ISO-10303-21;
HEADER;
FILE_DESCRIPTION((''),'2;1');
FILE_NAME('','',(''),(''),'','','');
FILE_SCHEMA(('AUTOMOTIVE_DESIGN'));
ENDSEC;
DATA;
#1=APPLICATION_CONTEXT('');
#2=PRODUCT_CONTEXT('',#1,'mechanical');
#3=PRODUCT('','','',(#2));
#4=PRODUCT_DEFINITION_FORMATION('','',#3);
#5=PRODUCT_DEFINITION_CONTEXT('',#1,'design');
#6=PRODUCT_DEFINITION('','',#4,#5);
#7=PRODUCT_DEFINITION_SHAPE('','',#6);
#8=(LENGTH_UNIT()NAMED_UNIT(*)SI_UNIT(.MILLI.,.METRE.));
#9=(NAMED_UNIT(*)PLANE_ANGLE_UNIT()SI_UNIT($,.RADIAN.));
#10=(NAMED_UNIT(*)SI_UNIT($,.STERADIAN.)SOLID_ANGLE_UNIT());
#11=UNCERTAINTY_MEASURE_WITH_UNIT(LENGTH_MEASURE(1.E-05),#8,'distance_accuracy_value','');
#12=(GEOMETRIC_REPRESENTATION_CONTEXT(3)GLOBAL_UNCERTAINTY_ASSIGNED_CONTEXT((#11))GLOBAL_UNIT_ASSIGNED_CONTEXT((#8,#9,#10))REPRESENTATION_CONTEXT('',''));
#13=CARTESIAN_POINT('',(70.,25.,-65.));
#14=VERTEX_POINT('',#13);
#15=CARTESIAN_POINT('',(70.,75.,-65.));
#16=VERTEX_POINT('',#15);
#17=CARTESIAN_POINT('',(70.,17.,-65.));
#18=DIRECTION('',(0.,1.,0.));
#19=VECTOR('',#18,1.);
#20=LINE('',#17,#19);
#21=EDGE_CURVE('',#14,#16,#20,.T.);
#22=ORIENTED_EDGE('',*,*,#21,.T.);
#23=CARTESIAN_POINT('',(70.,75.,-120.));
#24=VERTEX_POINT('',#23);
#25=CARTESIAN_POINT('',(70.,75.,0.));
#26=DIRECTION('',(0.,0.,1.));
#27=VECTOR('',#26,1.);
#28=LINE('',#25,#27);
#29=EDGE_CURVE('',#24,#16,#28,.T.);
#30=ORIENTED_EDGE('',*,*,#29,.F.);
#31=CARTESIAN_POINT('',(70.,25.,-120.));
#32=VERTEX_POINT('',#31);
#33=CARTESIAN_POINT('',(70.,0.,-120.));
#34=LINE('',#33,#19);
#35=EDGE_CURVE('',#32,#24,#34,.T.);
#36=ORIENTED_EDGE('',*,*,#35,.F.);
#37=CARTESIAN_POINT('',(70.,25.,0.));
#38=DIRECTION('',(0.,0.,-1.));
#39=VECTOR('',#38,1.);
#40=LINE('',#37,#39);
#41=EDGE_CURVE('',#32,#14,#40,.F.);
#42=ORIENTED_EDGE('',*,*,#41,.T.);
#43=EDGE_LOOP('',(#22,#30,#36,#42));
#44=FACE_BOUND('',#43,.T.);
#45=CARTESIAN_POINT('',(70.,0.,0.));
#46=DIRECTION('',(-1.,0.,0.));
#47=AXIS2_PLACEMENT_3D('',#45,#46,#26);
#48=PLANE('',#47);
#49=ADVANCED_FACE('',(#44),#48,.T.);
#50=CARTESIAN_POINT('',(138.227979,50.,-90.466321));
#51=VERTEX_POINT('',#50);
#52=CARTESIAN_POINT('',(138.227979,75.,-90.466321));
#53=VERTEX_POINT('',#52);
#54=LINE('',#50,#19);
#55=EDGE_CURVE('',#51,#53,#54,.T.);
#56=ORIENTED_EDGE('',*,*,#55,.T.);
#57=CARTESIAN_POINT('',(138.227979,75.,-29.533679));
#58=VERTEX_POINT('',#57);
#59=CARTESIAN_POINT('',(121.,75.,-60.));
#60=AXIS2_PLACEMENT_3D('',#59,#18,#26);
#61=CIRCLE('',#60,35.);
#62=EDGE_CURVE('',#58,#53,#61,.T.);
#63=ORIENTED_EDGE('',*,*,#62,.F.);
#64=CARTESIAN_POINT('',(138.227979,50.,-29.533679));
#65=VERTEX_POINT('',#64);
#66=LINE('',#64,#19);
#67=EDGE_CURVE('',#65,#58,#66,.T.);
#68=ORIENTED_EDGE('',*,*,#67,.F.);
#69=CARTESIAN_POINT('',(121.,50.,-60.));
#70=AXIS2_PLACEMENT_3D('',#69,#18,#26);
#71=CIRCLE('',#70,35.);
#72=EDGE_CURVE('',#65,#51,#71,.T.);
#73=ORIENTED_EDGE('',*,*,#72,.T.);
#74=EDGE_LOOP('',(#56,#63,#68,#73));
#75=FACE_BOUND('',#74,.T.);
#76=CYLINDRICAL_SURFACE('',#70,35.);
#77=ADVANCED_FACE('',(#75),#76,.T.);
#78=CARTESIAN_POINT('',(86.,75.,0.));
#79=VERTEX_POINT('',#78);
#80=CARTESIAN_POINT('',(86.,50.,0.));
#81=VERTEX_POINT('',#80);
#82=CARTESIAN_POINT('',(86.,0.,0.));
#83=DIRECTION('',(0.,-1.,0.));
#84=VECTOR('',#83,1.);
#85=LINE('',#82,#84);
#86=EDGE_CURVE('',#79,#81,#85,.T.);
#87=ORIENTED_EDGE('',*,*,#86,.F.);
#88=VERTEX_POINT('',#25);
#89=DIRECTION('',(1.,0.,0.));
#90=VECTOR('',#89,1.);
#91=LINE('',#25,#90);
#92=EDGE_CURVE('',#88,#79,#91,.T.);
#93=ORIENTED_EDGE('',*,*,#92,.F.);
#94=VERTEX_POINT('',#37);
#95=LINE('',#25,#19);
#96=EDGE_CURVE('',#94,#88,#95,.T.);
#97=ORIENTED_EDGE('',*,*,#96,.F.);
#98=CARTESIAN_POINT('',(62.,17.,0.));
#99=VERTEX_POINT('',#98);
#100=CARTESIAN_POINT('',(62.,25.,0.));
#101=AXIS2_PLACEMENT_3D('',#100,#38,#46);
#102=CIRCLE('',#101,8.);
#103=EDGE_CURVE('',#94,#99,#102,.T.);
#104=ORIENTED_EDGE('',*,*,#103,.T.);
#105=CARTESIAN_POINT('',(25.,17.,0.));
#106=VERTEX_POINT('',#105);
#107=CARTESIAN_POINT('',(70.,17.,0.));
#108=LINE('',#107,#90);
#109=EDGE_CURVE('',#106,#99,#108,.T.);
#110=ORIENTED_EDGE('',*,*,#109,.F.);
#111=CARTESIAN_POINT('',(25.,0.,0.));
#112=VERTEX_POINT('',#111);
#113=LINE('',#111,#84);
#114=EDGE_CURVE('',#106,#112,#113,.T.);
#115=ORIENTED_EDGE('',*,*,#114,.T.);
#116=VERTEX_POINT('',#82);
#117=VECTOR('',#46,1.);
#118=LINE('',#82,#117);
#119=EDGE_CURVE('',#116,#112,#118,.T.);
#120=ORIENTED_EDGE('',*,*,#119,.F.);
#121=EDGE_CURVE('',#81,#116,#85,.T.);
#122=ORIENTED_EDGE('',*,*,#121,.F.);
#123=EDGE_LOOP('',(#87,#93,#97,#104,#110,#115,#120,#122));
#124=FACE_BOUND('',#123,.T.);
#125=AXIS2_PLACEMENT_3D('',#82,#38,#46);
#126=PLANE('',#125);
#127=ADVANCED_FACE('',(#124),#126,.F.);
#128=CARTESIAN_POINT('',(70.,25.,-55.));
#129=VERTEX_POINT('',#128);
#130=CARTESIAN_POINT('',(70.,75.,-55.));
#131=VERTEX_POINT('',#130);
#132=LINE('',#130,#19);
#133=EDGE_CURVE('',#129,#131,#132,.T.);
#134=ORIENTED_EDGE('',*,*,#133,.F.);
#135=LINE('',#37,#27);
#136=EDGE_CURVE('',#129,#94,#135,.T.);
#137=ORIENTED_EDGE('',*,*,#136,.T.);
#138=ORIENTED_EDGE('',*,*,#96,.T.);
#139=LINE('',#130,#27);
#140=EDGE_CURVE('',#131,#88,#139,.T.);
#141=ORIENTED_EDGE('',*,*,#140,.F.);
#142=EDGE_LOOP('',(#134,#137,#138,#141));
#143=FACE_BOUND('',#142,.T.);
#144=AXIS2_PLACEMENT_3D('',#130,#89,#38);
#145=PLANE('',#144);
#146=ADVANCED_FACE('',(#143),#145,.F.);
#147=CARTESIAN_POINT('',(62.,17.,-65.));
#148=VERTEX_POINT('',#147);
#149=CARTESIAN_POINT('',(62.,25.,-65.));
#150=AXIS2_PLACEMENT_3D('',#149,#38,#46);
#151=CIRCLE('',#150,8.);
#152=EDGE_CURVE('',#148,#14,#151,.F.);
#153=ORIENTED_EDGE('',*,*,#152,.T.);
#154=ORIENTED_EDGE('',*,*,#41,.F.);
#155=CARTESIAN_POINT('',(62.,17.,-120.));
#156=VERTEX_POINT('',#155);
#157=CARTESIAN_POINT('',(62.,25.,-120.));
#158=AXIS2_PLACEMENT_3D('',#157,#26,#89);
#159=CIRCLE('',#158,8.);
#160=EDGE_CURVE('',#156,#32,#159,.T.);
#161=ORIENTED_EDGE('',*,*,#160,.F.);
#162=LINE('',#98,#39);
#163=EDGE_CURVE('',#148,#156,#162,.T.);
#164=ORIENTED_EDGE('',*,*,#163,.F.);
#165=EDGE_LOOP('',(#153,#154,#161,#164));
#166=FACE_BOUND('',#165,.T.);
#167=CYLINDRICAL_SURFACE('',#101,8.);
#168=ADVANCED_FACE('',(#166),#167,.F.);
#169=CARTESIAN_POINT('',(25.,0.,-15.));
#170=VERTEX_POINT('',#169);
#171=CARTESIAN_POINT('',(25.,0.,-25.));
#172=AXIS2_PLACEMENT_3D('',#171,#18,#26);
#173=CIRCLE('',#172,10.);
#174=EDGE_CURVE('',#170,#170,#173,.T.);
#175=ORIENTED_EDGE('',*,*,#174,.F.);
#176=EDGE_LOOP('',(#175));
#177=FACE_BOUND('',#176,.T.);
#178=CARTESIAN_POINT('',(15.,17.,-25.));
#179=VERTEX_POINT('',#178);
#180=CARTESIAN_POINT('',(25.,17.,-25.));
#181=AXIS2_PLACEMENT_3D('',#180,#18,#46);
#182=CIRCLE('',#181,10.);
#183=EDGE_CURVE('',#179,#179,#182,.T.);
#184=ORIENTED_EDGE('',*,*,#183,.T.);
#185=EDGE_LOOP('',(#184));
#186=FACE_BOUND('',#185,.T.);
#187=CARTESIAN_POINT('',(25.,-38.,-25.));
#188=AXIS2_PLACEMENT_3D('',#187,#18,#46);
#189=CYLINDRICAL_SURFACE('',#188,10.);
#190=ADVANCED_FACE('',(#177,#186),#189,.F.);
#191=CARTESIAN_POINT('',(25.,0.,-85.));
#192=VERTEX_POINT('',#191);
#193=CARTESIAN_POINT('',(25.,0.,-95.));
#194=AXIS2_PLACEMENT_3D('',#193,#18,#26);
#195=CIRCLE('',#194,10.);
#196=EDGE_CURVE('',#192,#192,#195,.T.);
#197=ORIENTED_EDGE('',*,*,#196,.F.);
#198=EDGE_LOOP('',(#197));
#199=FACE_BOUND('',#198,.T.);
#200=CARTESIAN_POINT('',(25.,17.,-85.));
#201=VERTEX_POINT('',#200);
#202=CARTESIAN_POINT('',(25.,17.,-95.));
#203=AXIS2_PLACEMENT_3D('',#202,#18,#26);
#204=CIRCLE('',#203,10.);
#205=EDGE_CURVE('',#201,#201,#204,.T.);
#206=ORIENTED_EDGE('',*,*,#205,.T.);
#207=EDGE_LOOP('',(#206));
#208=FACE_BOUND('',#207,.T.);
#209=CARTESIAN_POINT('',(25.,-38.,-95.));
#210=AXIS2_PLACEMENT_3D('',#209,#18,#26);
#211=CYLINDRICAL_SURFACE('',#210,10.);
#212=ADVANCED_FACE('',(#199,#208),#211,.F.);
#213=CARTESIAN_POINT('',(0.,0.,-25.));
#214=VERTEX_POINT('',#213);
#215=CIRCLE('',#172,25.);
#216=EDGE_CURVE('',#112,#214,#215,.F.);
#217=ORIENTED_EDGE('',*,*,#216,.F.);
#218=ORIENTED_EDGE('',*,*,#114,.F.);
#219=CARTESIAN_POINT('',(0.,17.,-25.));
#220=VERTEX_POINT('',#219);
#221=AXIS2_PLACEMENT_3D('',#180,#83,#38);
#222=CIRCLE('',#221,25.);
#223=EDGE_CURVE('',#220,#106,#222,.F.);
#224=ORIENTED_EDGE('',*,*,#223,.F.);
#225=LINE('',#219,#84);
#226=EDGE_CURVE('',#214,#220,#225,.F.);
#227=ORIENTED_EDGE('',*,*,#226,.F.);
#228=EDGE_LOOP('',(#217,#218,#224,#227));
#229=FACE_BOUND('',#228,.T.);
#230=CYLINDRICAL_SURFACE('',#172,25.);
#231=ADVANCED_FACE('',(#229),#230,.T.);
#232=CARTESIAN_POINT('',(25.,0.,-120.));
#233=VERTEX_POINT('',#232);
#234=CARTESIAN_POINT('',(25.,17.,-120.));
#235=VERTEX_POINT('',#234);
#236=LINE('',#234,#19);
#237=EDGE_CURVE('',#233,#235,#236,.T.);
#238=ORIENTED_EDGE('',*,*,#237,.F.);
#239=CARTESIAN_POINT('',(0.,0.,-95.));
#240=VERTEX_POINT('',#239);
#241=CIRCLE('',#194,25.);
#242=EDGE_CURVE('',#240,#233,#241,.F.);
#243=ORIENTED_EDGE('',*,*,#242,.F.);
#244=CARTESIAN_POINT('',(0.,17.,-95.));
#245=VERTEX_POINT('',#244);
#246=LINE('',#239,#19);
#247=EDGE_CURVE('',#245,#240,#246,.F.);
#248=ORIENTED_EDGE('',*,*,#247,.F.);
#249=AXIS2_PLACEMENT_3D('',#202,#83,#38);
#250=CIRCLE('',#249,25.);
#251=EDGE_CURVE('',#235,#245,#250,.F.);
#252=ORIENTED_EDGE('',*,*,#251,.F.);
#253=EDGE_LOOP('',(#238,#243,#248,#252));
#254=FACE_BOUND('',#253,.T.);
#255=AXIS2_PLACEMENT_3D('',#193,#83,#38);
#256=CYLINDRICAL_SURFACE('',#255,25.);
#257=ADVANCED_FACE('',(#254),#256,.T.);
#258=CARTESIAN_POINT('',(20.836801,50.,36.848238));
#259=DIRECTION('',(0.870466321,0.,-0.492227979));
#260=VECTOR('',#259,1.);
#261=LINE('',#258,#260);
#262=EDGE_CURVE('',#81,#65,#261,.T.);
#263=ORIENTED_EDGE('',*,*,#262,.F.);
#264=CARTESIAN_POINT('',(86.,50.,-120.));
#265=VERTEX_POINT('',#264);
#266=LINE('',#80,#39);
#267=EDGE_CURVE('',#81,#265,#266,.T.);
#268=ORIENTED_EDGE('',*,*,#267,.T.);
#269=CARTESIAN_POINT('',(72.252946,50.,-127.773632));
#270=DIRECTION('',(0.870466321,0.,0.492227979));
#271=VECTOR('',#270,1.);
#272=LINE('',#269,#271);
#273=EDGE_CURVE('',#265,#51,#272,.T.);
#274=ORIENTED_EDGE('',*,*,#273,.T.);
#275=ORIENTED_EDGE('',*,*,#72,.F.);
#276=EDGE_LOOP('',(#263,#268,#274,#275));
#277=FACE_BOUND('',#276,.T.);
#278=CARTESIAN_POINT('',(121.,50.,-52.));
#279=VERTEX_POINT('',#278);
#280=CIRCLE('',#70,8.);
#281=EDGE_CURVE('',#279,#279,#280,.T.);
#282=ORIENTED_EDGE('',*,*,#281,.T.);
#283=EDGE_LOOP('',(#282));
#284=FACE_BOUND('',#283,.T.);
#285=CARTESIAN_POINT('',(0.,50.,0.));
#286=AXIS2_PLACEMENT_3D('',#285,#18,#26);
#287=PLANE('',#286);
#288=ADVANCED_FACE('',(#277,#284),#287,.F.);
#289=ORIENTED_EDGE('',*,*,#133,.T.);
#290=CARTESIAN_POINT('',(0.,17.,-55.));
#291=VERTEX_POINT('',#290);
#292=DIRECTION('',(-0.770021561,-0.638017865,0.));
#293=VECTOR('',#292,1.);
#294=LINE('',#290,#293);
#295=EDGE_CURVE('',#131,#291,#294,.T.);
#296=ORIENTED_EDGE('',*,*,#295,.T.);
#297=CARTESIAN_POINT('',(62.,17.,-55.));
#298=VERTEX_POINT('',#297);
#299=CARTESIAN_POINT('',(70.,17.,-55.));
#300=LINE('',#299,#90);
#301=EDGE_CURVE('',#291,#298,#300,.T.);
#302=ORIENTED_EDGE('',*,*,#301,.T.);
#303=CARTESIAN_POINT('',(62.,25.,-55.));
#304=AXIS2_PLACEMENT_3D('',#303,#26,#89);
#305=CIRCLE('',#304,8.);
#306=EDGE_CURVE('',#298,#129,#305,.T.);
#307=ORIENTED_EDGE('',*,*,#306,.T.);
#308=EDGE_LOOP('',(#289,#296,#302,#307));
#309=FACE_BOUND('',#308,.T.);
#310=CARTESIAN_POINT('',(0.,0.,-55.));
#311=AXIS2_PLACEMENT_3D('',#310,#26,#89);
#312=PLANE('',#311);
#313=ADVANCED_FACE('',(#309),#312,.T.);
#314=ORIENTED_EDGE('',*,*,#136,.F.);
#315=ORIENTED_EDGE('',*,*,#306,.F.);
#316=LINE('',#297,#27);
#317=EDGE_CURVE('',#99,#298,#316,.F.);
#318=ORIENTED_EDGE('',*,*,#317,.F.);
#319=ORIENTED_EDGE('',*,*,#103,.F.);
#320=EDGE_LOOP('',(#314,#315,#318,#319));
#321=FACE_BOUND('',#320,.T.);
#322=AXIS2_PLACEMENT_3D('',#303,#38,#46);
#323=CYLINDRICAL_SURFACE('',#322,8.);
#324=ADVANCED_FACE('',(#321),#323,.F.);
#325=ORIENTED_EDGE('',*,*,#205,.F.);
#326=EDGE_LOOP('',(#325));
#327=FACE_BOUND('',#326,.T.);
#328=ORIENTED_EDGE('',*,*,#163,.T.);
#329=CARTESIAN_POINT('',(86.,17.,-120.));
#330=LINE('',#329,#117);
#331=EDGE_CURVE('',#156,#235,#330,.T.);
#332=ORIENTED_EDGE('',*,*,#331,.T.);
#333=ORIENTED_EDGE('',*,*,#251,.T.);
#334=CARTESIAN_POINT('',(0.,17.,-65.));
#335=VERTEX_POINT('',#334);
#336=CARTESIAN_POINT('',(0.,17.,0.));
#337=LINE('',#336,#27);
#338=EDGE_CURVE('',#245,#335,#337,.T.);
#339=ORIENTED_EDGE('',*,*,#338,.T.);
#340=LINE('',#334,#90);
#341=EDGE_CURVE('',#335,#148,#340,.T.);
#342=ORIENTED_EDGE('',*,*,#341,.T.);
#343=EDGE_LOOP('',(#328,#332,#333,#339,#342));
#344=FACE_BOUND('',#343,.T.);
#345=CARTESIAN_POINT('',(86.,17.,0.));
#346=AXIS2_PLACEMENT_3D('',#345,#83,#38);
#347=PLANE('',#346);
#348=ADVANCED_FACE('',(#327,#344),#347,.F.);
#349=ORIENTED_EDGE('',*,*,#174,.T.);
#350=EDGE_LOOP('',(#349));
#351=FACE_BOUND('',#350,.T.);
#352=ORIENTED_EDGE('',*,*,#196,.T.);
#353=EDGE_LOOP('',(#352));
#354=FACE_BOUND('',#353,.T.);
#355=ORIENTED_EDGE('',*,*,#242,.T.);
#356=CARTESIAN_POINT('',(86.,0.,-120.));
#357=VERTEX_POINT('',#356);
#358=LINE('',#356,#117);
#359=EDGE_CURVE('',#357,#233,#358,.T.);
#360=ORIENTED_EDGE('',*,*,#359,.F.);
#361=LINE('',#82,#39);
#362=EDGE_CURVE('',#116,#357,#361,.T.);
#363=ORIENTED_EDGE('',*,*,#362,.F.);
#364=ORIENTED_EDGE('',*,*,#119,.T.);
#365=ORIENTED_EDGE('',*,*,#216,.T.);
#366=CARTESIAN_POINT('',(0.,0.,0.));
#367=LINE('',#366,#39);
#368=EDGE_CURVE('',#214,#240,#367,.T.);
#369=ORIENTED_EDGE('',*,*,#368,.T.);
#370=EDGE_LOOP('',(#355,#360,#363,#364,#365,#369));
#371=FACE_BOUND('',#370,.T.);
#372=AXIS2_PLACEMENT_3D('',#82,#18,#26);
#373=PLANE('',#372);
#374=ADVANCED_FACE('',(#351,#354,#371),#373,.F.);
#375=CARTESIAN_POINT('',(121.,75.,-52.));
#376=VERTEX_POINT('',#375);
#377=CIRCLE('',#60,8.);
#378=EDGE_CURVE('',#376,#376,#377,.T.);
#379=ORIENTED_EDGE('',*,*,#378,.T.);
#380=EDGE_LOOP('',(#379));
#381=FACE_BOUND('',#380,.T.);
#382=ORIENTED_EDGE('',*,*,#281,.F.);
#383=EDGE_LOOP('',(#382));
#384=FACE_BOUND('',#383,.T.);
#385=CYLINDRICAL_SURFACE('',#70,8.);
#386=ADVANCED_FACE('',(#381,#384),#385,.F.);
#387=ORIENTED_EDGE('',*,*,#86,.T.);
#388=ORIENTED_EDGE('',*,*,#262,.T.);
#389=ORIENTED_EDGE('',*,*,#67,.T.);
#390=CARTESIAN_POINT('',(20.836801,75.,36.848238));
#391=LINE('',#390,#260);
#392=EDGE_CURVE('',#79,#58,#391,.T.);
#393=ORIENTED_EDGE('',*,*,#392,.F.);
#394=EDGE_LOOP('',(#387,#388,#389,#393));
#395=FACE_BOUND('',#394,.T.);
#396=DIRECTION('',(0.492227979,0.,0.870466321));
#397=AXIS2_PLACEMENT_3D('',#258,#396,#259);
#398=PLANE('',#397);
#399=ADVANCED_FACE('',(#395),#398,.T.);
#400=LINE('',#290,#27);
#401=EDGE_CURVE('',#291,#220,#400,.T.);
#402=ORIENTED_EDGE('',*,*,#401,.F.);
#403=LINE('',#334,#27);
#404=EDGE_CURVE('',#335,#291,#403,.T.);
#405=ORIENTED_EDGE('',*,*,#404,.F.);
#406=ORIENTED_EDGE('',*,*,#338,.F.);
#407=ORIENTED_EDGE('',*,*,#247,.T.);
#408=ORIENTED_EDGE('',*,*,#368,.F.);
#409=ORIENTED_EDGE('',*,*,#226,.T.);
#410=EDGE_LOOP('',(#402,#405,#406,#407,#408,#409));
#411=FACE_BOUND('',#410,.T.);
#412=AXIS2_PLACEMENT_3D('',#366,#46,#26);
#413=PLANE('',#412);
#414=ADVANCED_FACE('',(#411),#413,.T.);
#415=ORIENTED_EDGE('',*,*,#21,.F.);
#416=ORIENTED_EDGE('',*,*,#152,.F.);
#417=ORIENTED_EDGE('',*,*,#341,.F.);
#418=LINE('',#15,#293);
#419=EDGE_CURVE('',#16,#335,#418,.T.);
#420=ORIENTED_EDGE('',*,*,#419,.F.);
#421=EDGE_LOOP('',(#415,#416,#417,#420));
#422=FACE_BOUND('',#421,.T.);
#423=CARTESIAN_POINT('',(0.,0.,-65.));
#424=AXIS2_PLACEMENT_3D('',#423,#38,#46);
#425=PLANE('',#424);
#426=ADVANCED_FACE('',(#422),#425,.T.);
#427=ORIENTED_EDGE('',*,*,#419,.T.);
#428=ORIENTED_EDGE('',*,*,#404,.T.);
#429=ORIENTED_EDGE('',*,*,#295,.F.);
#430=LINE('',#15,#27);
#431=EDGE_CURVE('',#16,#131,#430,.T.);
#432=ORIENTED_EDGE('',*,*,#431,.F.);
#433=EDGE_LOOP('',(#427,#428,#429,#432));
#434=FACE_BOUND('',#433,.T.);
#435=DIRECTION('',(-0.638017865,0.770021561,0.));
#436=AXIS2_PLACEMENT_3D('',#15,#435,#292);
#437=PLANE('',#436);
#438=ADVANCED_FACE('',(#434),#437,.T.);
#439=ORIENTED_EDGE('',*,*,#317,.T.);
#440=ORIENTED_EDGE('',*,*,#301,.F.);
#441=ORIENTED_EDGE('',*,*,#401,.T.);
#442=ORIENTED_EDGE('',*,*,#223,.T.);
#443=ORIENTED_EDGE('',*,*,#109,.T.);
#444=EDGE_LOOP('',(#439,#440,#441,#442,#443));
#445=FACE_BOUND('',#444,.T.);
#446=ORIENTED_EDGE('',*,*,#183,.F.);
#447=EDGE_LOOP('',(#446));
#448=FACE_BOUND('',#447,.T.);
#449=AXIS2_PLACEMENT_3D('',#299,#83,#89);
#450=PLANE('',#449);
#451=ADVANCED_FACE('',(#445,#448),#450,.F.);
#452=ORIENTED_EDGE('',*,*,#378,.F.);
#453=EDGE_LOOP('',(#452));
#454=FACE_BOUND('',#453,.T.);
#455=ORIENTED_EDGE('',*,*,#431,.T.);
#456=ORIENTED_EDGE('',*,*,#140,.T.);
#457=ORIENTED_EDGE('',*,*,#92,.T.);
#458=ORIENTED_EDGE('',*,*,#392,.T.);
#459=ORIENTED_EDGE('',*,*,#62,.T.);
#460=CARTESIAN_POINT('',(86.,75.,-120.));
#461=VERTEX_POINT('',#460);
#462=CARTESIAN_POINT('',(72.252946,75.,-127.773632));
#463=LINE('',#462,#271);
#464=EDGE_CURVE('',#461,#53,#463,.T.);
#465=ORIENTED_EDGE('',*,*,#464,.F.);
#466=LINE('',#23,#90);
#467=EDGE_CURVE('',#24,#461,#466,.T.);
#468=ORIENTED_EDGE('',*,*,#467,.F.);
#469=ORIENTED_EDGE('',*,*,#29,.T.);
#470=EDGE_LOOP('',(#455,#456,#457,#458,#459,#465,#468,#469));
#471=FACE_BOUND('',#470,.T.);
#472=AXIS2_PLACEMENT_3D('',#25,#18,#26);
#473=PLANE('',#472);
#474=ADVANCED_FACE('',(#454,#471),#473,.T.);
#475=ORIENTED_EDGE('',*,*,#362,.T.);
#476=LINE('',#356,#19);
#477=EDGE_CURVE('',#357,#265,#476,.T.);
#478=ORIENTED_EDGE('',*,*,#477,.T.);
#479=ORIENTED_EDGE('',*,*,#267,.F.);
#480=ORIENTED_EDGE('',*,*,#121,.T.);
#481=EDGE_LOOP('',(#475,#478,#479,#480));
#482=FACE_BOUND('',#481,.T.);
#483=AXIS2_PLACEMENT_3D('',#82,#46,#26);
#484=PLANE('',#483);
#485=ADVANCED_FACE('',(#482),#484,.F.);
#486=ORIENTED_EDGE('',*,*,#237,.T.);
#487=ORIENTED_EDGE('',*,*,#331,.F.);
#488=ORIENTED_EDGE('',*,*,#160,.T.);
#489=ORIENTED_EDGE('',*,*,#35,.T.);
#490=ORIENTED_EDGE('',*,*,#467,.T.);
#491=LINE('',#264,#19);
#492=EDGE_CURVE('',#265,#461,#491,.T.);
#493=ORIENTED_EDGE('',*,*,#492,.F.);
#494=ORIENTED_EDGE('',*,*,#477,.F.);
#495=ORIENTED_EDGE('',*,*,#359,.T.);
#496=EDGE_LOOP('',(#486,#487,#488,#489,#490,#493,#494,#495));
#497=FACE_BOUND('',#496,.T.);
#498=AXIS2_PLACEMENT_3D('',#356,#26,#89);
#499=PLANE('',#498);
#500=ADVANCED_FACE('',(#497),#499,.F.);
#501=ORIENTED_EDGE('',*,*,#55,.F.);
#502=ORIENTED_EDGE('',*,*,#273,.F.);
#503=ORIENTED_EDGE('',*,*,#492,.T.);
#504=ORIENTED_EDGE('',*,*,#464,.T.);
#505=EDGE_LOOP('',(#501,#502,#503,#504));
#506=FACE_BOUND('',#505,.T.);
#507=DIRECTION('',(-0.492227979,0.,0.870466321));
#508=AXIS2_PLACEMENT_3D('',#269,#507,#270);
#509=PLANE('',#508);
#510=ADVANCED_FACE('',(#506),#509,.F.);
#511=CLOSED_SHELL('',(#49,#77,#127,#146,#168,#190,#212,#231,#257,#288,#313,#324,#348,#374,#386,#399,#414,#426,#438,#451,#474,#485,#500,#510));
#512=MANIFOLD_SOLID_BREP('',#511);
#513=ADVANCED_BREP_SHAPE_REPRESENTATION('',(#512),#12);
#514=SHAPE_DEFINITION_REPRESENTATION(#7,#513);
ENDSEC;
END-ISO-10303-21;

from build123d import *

# Parameters (mm, degrees)
SKETCH3_W           = 120
SKETCH3_H           = 17
BOSS_EXTRUDE1_DEPTH = 86
SKETCH5_W           = 120
SKETCH5_H           = 75
BOSS_EXTRUDE2_DEPTH = 16
BOSS_EXTRUDE3_DEPTH = 25
SKETCH11_R          = 8
CUT_EXTRUDE1_DEPTH  = 25
FILLET2_R           = 25
FILLET3_R           = 25
FILLET11_R          = 8
BOSS_EXTRUDE4_DEPTH = 65
CUT_EXTRUDE2_DEPTH  = 55
FILLET15_R          = 8
SKETCH16_R          = 10
CUT_EXTRUDE3_DEPTH  = 55
SKETCH17_R          = 10
CUT_EXTRUDE4_DEPTH  = 55


with BuildPart() as part:
    # Sketch3 → Boss-Extrude1 (new body)
    with BuildSketch(Plane(origin=(0, 0, 0), x_dir=(0, 0, -1), z_dir=(1, 0, 0))):
        with Locations((60, 8.5)):
            Rectangle(SKETCH3_W, SKETCH3_H)
    extrude(amount=BOSS_EXTRUDE1_DEPTH)

    # Sketch5 → Boss-Extrude2 (add)
    with BuildSketch(Plane(origin=(86, 0, 0), x_dir=(0, 0, -1), z_dir=(1, 0, 0))):
        with Locations((60, 37.5)):
            Rectangle(SKETCH5_W, SKETCH5_H)
    extrude(amount=-BOSS_EXTRUDE2_DEPTH)

    # Sketch7 → Boss-Extrude3 (add)
    with BuildSketch(Plane(origin=(0, 75, 0), x_dir=(1, 0, 0), z_dir=(0, 1, 0))):
        with BuildLine():
            Line((138.227979275, 90.466321244), (86, 120))
            Line((86, 120), (86, 60))
            Line((86, 60), (86, 0))
            Line((86, 0), (138.227979275, 29.533678756))
            ThreePointArc((138.227979275, 29.533678756), (156, 60), (138.227979275, 90.466321244))
        make_face()
    extrude(amount=-BOSS_EXTRUDE3_DEPTH)

    # Sketch11 → Cut-Extrude1 (cut)
    with BuildSketch(Plane(origin=(0, 75, 0), x_dir=(1, 0, 0), z_dir=(0, 1, 0))):
        with Locations(Location((121, 60, 0), (0, 0, 270))):
            Circle(SKETCH11_R)
    extrude(amount=-CUT_EXTRUDE1_DEPTH, mode=Mode.SUBTRACT)

    # Fillet2
    fillet2_edges = [part.edges().sort_by_distance(p)[0] for p in [
        (0, 8.5, 0),
    ]]
    fillet(fillet2_edges, radius=FILLET2_R)

    # Fillet3
    fillet3_edges = [part.edges().sort_by_distance(p)[0] for p in [
        (0, 8.5, -120),
    ]]
    fillet(fillet3_edges, radius=FILLET3_R)

    # Fillet11
    fillet11_edges = [part.edges().sort_by_distance(p)[0] for p in [
        (70, 17, -60),
    ]]
    fillet(fillet11_edges, radius=FILLET11_R)

    # Sketch14 → Boss-Extrude4 (add)
    with BuildSketch(Plane.XY):
        Polygon((70, 75), (0, 17), (70, 17), align=None)
    extrude(amount=-BOSS_EXTRUDE4_DEPTH)

    # Sketch15 → Cut-Extrude2 (cut)
    with BuildSketch(Plane.XY):
        Polygon((0, 17), (70, 75), (70, 17), align=None)
    extrude(amount=-CUT_EXTRUDE2_DEPTH, mode=Mode.SUBTRACT)

    # Fillet15
    fillet15_edges = [part.edges().sort_by_distance(p)[0] for p in [
        (70, 17, -27.5),
    ]]
    fillet(fillet15_edges, radius=FILLET15_R)

    # Sketch16 → Cut-Extrude3 (cut)
    with BuildSketch(Plane(origin=(0, 17, 0), x_dir=(1, 0, 0), z_dir=(0, 1, 0))):
        with Locations(Location((25, 95, 0), (0, 0, 270))):
            Circle(SKETCH16_R)
    extrude(amount=-CUT_EXTRUDE3_DEPTH, mode=Mode.SUBTRACT)

    # Sketch17 → Cut-Extrude4 (cut)
    with BuildSketch(Plane(origin=(0, 17, 0), x_dir=(1, 0, 0), z_dir=(0, 1, 0))):
        with Locations(Location((25, 25, 0), (0, 0, 180))):
            Circle(SKETCH17_R)
    extrude(amount=-CUT_EXTRUDE4_DEPTH, mode=Mode.SUBTRACT)


solid = part.part
